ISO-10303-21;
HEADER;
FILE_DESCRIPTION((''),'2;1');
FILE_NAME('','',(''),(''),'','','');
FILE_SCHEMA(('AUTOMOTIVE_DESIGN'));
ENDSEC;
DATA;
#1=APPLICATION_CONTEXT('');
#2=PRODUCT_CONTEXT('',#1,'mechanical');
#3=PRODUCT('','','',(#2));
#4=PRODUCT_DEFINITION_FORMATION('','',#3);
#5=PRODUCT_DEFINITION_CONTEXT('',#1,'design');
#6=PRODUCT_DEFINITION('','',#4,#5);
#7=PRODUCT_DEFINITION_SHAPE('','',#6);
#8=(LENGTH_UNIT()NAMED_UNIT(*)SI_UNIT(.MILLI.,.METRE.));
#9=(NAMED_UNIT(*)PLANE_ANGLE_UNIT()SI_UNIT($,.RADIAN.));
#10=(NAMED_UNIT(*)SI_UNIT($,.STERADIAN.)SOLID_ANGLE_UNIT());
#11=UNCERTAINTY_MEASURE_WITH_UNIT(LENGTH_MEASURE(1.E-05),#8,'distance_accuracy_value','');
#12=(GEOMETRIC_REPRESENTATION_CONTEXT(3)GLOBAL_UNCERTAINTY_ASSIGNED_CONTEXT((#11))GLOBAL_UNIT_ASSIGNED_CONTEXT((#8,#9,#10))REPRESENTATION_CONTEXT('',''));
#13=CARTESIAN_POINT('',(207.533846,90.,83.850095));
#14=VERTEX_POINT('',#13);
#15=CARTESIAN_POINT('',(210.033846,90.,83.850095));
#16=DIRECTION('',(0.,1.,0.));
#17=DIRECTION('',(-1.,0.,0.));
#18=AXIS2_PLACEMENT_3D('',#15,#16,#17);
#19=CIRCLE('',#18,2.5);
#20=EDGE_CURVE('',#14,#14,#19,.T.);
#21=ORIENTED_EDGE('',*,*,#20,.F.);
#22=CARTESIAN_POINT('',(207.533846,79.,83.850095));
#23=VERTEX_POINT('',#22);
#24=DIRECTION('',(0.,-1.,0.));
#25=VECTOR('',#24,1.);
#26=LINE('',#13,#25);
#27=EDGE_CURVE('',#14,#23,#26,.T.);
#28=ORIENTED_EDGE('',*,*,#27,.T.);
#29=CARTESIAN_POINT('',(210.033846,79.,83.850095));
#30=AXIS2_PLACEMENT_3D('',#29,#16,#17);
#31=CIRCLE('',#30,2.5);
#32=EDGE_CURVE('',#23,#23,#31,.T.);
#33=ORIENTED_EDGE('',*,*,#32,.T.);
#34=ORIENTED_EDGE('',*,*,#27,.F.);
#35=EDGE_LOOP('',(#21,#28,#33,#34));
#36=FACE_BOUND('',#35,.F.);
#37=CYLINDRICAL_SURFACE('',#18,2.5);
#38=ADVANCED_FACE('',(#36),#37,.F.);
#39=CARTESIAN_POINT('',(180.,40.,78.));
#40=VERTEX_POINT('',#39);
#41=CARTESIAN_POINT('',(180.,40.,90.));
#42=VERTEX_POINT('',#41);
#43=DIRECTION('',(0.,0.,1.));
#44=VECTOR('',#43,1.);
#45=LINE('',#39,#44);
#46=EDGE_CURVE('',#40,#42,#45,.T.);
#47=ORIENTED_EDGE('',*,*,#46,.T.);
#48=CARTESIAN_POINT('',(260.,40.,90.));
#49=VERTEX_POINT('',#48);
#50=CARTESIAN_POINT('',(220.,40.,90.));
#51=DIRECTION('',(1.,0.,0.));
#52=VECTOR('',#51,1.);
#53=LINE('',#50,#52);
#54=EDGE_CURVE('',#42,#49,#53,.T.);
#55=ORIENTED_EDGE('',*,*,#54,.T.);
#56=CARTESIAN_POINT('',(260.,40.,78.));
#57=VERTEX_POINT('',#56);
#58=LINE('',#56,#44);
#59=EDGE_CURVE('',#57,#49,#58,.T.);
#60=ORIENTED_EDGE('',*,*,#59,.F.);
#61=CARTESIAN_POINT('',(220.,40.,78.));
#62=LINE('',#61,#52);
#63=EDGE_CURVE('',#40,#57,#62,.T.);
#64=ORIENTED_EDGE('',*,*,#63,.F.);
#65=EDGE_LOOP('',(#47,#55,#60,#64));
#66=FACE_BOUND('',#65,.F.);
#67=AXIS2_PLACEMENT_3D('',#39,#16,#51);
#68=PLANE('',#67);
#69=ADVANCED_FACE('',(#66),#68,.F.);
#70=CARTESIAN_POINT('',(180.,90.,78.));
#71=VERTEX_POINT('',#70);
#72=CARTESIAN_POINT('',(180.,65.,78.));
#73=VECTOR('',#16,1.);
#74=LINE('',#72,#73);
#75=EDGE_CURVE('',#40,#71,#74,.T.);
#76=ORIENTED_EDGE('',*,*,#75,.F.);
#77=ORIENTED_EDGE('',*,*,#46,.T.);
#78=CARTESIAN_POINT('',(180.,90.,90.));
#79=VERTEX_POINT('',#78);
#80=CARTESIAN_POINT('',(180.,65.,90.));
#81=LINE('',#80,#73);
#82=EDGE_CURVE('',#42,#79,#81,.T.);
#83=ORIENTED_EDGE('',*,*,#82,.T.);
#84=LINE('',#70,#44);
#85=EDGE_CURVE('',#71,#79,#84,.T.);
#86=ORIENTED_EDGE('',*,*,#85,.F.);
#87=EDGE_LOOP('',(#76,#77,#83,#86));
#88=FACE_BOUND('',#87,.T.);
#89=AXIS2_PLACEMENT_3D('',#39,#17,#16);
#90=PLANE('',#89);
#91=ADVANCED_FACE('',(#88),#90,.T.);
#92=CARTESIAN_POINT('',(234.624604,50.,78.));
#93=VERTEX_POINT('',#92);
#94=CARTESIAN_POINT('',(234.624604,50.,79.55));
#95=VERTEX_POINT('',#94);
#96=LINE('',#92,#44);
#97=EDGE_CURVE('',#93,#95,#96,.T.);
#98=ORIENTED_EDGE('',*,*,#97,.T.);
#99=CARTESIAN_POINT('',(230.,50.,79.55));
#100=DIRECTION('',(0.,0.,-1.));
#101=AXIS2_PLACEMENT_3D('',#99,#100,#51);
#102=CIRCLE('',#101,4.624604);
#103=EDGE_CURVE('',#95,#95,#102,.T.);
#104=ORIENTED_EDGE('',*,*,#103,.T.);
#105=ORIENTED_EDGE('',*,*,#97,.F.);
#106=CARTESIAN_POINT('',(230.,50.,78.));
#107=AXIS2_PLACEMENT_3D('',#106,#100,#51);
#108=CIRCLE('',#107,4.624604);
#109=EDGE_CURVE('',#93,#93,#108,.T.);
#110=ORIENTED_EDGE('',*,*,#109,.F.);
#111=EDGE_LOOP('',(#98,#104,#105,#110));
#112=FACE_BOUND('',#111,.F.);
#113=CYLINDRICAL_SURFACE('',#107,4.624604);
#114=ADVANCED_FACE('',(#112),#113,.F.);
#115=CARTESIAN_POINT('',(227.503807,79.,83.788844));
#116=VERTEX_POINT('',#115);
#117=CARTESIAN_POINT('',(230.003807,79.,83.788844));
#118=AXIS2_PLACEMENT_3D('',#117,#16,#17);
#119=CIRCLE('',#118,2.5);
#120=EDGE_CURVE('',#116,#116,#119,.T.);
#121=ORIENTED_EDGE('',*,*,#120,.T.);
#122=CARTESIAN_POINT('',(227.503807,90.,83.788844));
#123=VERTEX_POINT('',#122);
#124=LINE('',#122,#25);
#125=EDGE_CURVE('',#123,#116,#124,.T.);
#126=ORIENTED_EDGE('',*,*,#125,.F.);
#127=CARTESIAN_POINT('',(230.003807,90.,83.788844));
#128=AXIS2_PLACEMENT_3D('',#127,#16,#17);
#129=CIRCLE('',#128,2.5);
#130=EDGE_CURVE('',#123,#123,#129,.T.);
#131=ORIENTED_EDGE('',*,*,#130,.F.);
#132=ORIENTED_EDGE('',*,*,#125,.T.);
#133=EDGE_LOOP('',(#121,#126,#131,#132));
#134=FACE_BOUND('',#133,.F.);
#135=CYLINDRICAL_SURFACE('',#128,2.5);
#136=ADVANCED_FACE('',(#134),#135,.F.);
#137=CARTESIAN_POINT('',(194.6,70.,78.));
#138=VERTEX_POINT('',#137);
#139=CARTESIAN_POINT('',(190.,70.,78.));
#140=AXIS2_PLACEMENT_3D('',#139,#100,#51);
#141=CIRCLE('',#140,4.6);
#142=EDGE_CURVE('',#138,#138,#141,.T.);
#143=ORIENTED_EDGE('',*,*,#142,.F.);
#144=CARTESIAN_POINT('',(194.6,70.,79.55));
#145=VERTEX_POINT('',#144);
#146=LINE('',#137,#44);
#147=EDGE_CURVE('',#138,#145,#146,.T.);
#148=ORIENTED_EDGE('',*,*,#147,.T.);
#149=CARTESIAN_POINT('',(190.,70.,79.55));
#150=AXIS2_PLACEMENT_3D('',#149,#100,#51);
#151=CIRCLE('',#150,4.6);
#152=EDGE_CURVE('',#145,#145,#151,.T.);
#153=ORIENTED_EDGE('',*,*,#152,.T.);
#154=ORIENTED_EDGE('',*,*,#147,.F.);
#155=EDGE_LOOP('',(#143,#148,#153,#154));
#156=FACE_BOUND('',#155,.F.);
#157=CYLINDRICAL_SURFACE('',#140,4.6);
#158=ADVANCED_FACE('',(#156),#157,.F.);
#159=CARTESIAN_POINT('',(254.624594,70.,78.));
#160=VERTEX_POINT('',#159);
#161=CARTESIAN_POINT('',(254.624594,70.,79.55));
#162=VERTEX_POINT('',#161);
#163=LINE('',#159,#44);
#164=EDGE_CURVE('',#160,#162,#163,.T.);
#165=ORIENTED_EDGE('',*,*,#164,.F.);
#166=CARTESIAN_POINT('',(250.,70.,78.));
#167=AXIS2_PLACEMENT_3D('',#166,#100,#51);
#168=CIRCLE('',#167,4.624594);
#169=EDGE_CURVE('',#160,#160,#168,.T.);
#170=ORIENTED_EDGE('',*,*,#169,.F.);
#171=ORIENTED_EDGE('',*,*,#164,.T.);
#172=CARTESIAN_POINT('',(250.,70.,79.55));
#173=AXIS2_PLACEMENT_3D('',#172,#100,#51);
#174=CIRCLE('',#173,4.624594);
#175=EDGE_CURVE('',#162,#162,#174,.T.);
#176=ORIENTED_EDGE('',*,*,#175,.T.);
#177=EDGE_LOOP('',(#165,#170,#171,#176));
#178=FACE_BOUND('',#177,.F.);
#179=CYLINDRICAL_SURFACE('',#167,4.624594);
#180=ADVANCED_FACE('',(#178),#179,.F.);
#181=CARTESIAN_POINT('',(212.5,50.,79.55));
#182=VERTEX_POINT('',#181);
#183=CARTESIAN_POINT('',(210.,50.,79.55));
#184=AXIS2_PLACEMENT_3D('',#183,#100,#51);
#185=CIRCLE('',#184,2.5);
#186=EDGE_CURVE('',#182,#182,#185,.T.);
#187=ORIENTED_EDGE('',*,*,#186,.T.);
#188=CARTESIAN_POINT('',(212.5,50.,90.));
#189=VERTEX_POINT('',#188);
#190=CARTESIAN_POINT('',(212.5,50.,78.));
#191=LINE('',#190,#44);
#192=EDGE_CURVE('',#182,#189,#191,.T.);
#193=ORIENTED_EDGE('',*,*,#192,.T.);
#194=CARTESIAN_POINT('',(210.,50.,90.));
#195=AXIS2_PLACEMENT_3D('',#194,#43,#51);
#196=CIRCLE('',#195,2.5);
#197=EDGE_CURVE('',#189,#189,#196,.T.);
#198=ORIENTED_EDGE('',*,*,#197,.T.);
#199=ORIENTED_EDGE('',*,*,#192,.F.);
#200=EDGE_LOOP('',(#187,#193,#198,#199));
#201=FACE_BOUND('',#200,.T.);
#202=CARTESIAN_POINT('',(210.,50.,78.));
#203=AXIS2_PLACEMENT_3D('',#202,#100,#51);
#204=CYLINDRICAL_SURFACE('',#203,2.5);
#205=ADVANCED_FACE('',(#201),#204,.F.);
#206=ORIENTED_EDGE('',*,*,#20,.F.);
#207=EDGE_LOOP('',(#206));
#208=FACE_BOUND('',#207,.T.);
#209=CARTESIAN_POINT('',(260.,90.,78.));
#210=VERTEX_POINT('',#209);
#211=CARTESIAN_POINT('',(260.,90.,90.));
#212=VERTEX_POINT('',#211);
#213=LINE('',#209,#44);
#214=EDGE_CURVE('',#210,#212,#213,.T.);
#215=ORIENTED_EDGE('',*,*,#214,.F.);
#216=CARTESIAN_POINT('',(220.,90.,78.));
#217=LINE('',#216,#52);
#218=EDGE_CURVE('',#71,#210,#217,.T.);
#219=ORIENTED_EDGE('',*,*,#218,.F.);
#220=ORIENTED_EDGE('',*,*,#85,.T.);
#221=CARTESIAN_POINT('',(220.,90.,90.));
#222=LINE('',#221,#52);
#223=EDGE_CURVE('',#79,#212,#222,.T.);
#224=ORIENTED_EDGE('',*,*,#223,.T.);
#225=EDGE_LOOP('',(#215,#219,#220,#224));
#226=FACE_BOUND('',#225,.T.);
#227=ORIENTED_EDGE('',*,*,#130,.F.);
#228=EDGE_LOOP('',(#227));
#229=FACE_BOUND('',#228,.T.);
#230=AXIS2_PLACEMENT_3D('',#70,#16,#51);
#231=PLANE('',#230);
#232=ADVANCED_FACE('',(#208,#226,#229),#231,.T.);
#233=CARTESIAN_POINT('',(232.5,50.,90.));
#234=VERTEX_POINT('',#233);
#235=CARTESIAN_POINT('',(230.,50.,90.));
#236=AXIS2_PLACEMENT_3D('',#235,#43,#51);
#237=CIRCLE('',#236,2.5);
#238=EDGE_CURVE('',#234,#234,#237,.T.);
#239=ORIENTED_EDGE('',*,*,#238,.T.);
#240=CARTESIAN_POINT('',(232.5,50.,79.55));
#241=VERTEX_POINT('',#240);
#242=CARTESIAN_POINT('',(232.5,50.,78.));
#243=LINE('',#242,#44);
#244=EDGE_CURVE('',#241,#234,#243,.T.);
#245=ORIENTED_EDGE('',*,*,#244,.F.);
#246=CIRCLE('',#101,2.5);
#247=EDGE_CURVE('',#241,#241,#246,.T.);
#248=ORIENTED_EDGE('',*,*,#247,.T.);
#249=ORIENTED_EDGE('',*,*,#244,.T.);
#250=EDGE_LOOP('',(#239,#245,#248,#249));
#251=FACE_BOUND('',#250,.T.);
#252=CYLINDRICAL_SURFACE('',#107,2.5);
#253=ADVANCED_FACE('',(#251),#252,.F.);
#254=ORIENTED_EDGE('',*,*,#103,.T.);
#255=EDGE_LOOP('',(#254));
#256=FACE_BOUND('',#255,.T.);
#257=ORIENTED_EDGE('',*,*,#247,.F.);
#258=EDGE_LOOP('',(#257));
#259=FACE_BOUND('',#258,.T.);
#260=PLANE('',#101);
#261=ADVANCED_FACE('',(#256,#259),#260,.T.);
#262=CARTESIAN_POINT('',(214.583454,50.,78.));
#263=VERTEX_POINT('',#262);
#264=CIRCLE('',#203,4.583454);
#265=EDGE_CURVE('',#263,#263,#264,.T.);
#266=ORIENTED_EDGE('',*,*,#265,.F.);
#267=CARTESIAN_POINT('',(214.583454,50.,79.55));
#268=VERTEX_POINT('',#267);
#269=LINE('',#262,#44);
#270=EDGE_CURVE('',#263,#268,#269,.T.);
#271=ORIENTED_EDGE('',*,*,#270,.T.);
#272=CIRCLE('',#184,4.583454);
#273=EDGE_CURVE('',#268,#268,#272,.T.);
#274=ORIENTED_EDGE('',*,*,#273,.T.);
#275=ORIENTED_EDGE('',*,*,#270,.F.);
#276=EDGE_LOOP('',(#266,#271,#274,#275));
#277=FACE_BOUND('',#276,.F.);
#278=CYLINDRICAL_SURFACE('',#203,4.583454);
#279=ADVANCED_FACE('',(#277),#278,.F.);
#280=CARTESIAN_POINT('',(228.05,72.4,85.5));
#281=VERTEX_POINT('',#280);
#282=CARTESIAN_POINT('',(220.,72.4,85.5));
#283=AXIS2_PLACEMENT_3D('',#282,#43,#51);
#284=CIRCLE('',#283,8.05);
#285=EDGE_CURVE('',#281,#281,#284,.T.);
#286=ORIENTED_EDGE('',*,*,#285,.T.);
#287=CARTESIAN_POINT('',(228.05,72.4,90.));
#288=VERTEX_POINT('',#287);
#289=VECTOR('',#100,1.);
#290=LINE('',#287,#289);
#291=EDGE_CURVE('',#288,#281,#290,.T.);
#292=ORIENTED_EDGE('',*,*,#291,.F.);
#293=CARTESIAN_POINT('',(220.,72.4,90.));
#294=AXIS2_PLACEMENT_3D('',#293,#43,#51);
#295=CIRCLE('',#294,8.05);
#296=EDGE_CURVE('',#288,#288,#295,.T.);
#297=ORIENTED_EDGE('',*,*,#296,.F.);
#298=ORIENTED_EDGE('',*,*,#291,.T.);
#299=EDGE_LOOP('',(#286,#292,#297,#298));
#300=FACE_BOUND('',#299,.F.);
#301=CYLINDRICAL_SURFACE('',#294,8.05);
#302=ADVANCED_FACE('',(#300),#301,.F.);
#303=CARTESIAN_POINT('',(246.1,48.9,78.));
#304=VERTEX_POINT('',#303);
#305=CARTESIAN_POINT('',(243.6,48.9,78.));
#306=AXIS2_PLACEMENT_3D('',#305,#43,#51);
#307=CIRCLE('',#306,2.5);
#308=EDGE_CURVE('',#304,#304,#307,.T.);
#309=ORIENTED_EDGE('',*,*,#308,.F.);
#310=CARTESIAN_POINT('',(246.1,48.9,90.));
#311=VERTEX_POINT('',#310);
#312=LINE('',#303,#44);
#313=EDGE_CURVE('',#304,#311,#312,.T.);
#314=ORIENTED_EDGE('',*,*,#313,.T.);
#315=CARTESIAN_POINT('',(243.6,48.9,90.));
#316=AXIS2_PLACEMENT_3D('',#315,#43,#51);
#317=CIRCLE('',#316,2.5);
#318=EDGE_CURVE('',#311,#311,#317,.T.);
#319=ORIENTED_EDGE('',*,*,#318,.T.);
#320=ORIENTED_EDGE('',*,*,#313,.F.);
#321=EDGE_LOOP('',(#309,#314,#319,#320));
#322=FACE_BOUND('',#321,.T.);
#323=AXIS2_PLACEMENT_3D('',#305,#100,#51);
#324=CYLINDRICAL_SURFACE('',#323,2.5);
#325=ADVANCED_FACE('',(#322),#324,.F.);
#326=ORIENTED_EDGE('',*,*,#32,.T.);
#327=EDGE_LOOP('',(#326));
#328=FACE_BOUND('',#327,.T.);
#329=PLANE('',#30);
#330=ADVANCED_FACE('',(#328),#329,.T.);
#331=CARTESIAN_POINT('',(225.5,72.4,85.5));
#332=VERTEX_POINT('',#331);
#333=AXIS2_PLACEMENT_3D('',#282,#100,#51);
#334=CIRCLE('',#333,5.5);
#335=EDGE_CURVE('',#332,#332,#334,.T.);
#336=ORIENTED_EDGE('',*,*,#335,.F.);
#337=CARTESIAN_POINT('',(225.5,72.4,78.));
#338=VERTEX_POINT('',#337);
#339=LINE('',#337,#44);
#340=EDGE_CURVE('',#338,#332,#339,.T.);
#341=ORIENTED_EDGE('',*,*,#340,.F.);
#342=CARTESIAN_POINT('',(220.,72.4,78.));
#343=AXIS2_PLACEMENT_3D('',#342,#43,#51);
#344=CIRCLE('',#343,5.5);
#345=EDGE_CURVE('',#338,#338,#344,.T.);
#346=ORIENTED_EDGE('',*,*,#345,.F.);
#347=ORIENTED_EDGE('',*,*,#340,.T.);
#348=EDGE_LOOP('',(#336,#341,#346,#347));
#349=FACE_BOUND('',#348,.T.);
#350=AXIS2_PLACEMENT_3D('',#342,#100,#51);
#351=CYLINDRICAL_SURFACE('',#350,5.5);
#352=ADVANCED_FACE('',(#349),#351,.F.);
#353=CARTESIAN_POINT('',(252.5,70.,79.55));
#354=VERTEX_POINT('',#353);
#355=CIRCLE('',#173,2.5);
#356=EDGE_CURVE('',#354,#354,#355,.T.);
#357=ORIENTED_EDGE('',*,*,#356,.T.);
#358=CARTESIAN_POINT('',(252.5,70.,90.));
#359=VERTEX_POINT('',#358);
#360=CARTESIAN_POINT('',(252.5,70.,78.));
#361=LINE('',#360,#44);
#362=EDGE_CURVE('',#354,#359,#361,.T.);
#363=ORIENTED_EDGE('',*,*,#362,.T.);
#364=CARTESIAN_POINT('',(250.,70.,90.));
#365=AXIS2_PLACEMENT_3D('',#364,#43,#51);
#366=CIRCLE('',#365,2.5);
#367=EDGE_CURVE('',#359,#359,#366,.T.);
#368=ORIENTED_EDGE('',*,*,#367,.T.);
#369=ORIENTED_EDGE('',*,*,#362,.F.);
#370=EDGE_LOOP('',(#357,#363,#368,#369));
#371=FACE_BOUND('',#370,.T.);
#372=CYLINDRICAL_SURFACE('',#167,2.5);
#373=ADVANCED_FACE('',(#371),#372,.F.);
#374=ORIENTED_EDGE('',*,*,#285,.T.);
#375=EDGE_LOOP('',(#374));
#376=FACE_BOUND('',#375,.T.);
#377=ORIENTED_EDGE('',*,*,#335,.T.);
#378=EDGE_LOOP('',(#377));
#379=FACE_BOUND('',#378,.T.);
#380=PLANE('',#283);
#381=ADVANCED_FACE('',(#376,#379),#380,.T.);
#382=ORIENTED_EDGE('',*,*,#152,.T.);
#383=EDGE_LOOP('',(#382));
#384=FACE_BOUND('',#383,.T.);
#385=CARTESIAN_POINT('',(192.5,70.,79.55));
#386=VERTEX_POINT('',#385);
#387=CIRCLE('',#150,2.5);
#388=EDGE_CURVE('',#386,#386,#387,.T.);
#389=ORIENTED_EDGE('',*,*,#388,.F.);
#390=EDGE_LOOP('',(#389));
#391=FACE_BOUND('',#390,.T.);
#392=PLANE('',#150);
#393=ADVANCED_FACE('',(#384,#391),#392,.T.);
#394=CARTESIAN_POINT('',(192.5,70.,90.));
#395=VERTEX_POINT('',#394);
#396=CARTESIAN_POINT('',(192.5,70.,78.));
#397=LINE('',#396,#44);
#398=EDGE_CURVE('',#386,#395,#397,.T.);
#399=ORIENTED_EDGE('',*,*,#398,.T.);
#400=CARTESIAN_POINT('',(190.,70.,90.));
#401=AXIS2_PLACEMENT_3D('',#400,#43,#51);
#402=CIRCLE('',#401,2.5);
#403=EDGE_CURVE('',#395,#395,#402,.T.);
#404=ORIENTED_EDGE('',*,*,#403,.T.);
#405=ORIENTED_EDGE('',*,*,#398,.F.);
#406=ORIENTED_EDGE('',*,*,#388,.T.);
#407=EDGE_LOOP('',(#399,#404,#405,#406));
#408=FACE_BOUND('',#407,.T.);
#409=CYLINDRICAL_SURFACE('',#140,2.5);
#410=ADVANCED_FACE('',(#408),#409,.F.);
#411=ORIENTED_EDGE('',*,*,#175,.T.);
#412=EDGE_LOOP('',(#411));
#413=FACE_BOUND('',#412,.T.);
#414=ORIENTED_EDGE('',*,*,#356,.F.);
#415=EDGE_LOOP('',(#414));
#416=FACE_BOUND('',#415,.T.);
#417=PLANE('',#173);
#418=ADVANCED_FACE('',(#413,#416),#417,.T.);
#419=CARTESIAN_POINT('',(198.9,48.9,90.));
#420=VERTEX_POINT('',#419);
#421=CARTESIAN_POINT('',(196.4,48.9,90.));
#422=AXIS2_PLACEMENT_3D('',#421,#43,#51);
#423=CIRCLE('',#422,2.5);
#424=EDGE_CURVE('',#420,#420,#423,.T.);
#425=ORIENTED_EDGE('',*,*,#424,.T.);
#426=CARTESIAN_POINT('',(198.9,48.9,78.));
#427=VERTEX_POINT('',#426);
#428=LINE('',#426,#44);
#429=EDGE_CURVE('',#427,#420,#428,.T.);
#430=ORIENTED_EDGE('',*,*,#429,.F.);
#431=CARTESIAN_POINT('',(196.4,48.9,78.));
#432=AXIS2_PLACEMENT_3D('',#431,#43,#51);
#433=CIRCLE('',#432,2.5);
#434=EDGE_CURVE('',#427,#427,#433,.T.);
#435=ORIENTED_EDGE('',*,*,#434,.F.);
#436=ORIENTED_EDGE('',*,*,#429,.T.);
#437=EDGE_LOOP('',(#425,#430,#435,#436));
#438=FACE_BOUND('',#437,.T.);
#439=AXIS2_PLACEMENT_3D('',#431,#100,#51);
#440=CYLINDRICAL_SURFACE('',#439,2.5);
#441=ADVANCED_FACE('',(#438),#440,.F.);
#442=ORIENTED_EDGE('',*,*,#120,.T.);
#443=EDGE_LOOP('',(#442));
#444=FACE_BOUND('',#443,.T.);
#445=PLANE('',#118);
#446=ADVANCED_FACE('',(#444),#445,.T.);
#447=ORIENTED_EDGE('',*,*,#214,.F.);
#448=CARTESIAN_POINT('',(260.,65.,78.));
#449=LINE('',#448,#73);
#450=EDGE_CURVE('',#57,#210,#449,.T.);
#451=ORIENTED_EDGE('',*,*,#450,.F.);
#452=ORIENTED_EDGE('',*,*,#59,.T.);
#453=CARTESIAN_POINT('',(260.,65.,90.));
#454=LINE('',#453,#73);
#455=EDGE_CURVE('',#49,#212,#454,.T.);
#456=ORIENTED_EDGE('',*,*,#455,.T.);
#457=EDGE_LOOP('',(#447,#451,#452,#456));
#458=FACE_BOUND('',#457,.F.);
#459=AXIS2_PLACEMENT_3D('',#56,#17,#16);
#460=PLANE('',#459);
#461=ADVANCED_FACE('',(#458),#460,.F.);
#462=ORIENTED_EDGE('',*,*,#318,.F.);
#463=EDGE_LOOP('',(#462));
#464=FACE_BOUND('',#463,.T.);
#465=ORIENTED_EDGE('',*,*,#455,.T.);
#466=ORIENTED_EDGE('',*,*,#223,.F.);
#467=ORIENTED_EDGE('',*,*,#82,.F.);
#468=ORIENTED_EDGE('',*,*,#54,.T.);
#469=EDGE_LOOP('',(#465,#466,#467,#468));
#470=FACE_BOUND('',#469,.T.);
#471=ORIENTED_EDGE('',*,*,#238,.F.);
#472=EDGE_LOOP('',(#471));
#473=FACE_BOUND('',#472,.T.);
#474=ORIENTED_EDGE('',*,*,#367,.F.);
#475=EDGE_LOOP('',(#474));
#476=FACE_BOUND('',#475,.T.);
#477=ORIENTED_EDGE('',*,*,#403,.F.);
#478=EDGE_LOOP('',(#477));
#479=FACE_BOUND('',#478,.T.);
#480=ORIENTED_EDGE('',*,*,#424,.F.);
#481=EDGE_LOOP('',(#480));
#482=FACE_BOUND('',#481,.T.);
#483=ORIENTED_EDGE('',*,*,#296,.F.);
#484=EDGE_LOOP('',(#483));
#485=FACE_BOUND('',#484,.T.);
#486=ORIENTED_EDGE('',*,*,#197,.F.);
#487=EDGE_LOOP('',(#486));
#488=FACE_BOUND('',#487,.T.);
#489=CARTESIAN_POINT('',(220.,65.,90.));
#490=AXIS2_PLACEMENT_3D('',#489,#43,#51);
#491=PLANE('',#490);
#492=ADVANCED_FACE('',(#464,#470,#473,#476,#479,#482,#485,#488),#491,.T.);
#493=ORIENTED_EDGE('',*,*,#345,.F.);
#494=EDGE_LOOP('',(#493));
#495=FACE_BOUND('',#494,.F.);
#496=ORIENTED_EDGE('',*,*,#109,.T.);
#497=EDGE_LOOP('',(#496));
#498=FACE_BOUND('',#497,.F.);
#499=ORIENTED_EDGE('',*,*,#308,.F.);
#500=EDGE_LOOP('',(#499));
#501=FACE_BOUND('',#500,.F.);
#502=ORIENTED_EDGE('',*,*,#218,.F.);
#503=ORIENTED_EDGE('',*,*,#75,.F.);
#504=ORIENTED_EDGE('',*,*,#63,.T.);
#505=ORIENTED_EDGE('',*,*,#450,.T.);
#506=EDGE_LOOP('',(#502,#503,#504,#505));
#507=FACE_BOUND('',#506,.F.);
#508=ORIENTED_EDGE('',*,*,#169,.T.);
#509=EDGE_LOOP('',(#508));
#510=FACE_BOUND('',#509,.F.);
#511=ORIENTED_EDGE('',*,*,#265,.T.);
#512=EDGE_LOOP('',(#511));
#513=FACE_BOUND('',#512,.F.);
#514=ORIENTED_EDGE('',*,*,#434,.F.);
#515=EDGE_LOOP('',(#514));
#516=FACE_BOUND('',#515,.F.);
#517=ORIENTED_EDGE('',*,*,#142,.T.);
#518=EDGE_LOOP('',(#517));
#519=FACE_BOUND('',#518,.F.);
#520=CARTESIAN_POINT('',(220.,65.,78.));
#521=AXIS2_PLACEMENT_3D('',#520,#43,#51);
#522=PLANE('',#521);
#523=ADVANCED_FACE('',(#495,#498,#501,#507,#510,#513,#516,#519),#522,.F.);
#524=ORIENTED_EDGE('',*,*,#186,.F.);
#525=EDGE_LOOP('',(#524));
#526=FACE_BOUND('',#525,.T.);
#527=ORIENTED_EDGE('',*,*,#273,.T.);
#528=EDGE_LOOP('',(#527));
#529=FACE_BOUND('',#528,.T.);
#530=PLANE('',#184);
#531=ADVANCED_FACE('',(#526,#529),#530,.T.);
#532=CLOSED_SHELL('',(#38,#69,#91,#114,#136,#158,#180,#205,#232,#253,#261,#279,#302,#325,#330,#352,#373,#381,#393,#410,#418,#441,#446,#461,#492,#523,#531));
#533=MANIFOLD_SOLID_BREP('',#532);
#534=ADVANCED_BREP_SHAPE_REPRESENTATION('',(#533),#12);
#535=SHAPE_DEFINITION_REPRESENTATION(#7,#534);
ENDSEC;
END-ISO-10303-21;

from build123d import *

# Parameters (mm, degrees)
SKETCH124_W     = 80
SKETCH124_H     = 50
SKETCH124_R     = 2.5
SKETCH124_R_2   = 5.5
PAD039_DEPTH    = 12
SKETCH125_R     = 2.5
POCKET080_DEPTH = 11
SKETCH126_R     = 8.05
POCKET081_DEPTH = 4.5
SKETCH127_R     = 4.6
SKETCH127_R_2   = 4.624594
SKETCH127_R_3   = 4.583454
SKETCH127_R_4   = 4.624604
POCKET082_DEPTH = 1.55


with BuildPart() as part:
    # Sketch124 → Pad039 (new body)
    with BuildSketch(Plane(origin=(180, 40, 78), x_dir=(1, 0, 0), z_dir=(0, 0, 1))):
        with Locations((40, 25)):
            Rectangle(SKETCH124_W, SKETCH124_H)
        with Locations((10, 30)):
            Circle(SKETCH124_R, mode=Mode.SUBTRACT)
        with Locations((30, 10)):
            Circle(SKETCH124_R, mode=Mode.SUBTRACT)
        with Locations((16.4, 8.9)):
            Circle(SKETCH124_R, mode=Mode.SUBTRACT)
        with Locations((50, 10)):
            Circle(SKETCH124_R, mode=Mode.SUBTRACT)
        with Locations((63.6, 8.9)):
            Circle(SKETCH124_R, mode=Mode.SUBTRACT)
        with Locations((70, 30)):
            Circle(SKETCH124_R, mode=Mode.SUBTRACT)
        with Locations((40, 32.4)):
            Circle(SKETCH124_R_2, mode=Mode.SUBTRACT)
    extrude(amount=PAD039_DEPTH)

    # Sketch125 → Pocket080 (cut)
    with BuildSketch(Plane(origin=(180, 90, 78), x_dir=(-1, 0, 0), z_dir=(0, 1, 0))):
        with Locations((-30.033846, 5.850095)):
            Circle(SKETCH125_R)
        with Locations((-50.003807, 5.788844)):
            Circle(SKETCH125_R)
    extrude(amount=-POCKET080_DEPTH, mode=Mode.SUBTRACT)

    # Sketch126 → Pocket081 (cut)
    with BuildSketch(Plane(origin=(180, 40, 90), x_dir=(1, 0, 0), z_dir=(0, 0, 1))):
        with Locations((40, 32.4)):
            Circle(SKETCH126_R)
    extrude(amount=-POCKET081_DEPTH, mode=Mode.SUBTRACT)

    # Sketch127 → Pocket082 (cut)
    with BuildSketch(Plane(origin=(180, 40, 78), x_dir=(1, 0, 0), z_dir=(0, 0, -1))):
        with Locations((10, -30)):
            Circle(SKETCH127_R)
        with Locations((70, -30)):
            Circle(SKETCH127_R_2)
        with Locations((30, -10)):
            Circle(SKETCH127_R_3)
        with Locations((50, -10)):
            Circle(SKETCH127_R_4)
    extrude(amount=-POCKET082_DEPTH, mode=Mode.SUBTRACT)


solid = part.part
